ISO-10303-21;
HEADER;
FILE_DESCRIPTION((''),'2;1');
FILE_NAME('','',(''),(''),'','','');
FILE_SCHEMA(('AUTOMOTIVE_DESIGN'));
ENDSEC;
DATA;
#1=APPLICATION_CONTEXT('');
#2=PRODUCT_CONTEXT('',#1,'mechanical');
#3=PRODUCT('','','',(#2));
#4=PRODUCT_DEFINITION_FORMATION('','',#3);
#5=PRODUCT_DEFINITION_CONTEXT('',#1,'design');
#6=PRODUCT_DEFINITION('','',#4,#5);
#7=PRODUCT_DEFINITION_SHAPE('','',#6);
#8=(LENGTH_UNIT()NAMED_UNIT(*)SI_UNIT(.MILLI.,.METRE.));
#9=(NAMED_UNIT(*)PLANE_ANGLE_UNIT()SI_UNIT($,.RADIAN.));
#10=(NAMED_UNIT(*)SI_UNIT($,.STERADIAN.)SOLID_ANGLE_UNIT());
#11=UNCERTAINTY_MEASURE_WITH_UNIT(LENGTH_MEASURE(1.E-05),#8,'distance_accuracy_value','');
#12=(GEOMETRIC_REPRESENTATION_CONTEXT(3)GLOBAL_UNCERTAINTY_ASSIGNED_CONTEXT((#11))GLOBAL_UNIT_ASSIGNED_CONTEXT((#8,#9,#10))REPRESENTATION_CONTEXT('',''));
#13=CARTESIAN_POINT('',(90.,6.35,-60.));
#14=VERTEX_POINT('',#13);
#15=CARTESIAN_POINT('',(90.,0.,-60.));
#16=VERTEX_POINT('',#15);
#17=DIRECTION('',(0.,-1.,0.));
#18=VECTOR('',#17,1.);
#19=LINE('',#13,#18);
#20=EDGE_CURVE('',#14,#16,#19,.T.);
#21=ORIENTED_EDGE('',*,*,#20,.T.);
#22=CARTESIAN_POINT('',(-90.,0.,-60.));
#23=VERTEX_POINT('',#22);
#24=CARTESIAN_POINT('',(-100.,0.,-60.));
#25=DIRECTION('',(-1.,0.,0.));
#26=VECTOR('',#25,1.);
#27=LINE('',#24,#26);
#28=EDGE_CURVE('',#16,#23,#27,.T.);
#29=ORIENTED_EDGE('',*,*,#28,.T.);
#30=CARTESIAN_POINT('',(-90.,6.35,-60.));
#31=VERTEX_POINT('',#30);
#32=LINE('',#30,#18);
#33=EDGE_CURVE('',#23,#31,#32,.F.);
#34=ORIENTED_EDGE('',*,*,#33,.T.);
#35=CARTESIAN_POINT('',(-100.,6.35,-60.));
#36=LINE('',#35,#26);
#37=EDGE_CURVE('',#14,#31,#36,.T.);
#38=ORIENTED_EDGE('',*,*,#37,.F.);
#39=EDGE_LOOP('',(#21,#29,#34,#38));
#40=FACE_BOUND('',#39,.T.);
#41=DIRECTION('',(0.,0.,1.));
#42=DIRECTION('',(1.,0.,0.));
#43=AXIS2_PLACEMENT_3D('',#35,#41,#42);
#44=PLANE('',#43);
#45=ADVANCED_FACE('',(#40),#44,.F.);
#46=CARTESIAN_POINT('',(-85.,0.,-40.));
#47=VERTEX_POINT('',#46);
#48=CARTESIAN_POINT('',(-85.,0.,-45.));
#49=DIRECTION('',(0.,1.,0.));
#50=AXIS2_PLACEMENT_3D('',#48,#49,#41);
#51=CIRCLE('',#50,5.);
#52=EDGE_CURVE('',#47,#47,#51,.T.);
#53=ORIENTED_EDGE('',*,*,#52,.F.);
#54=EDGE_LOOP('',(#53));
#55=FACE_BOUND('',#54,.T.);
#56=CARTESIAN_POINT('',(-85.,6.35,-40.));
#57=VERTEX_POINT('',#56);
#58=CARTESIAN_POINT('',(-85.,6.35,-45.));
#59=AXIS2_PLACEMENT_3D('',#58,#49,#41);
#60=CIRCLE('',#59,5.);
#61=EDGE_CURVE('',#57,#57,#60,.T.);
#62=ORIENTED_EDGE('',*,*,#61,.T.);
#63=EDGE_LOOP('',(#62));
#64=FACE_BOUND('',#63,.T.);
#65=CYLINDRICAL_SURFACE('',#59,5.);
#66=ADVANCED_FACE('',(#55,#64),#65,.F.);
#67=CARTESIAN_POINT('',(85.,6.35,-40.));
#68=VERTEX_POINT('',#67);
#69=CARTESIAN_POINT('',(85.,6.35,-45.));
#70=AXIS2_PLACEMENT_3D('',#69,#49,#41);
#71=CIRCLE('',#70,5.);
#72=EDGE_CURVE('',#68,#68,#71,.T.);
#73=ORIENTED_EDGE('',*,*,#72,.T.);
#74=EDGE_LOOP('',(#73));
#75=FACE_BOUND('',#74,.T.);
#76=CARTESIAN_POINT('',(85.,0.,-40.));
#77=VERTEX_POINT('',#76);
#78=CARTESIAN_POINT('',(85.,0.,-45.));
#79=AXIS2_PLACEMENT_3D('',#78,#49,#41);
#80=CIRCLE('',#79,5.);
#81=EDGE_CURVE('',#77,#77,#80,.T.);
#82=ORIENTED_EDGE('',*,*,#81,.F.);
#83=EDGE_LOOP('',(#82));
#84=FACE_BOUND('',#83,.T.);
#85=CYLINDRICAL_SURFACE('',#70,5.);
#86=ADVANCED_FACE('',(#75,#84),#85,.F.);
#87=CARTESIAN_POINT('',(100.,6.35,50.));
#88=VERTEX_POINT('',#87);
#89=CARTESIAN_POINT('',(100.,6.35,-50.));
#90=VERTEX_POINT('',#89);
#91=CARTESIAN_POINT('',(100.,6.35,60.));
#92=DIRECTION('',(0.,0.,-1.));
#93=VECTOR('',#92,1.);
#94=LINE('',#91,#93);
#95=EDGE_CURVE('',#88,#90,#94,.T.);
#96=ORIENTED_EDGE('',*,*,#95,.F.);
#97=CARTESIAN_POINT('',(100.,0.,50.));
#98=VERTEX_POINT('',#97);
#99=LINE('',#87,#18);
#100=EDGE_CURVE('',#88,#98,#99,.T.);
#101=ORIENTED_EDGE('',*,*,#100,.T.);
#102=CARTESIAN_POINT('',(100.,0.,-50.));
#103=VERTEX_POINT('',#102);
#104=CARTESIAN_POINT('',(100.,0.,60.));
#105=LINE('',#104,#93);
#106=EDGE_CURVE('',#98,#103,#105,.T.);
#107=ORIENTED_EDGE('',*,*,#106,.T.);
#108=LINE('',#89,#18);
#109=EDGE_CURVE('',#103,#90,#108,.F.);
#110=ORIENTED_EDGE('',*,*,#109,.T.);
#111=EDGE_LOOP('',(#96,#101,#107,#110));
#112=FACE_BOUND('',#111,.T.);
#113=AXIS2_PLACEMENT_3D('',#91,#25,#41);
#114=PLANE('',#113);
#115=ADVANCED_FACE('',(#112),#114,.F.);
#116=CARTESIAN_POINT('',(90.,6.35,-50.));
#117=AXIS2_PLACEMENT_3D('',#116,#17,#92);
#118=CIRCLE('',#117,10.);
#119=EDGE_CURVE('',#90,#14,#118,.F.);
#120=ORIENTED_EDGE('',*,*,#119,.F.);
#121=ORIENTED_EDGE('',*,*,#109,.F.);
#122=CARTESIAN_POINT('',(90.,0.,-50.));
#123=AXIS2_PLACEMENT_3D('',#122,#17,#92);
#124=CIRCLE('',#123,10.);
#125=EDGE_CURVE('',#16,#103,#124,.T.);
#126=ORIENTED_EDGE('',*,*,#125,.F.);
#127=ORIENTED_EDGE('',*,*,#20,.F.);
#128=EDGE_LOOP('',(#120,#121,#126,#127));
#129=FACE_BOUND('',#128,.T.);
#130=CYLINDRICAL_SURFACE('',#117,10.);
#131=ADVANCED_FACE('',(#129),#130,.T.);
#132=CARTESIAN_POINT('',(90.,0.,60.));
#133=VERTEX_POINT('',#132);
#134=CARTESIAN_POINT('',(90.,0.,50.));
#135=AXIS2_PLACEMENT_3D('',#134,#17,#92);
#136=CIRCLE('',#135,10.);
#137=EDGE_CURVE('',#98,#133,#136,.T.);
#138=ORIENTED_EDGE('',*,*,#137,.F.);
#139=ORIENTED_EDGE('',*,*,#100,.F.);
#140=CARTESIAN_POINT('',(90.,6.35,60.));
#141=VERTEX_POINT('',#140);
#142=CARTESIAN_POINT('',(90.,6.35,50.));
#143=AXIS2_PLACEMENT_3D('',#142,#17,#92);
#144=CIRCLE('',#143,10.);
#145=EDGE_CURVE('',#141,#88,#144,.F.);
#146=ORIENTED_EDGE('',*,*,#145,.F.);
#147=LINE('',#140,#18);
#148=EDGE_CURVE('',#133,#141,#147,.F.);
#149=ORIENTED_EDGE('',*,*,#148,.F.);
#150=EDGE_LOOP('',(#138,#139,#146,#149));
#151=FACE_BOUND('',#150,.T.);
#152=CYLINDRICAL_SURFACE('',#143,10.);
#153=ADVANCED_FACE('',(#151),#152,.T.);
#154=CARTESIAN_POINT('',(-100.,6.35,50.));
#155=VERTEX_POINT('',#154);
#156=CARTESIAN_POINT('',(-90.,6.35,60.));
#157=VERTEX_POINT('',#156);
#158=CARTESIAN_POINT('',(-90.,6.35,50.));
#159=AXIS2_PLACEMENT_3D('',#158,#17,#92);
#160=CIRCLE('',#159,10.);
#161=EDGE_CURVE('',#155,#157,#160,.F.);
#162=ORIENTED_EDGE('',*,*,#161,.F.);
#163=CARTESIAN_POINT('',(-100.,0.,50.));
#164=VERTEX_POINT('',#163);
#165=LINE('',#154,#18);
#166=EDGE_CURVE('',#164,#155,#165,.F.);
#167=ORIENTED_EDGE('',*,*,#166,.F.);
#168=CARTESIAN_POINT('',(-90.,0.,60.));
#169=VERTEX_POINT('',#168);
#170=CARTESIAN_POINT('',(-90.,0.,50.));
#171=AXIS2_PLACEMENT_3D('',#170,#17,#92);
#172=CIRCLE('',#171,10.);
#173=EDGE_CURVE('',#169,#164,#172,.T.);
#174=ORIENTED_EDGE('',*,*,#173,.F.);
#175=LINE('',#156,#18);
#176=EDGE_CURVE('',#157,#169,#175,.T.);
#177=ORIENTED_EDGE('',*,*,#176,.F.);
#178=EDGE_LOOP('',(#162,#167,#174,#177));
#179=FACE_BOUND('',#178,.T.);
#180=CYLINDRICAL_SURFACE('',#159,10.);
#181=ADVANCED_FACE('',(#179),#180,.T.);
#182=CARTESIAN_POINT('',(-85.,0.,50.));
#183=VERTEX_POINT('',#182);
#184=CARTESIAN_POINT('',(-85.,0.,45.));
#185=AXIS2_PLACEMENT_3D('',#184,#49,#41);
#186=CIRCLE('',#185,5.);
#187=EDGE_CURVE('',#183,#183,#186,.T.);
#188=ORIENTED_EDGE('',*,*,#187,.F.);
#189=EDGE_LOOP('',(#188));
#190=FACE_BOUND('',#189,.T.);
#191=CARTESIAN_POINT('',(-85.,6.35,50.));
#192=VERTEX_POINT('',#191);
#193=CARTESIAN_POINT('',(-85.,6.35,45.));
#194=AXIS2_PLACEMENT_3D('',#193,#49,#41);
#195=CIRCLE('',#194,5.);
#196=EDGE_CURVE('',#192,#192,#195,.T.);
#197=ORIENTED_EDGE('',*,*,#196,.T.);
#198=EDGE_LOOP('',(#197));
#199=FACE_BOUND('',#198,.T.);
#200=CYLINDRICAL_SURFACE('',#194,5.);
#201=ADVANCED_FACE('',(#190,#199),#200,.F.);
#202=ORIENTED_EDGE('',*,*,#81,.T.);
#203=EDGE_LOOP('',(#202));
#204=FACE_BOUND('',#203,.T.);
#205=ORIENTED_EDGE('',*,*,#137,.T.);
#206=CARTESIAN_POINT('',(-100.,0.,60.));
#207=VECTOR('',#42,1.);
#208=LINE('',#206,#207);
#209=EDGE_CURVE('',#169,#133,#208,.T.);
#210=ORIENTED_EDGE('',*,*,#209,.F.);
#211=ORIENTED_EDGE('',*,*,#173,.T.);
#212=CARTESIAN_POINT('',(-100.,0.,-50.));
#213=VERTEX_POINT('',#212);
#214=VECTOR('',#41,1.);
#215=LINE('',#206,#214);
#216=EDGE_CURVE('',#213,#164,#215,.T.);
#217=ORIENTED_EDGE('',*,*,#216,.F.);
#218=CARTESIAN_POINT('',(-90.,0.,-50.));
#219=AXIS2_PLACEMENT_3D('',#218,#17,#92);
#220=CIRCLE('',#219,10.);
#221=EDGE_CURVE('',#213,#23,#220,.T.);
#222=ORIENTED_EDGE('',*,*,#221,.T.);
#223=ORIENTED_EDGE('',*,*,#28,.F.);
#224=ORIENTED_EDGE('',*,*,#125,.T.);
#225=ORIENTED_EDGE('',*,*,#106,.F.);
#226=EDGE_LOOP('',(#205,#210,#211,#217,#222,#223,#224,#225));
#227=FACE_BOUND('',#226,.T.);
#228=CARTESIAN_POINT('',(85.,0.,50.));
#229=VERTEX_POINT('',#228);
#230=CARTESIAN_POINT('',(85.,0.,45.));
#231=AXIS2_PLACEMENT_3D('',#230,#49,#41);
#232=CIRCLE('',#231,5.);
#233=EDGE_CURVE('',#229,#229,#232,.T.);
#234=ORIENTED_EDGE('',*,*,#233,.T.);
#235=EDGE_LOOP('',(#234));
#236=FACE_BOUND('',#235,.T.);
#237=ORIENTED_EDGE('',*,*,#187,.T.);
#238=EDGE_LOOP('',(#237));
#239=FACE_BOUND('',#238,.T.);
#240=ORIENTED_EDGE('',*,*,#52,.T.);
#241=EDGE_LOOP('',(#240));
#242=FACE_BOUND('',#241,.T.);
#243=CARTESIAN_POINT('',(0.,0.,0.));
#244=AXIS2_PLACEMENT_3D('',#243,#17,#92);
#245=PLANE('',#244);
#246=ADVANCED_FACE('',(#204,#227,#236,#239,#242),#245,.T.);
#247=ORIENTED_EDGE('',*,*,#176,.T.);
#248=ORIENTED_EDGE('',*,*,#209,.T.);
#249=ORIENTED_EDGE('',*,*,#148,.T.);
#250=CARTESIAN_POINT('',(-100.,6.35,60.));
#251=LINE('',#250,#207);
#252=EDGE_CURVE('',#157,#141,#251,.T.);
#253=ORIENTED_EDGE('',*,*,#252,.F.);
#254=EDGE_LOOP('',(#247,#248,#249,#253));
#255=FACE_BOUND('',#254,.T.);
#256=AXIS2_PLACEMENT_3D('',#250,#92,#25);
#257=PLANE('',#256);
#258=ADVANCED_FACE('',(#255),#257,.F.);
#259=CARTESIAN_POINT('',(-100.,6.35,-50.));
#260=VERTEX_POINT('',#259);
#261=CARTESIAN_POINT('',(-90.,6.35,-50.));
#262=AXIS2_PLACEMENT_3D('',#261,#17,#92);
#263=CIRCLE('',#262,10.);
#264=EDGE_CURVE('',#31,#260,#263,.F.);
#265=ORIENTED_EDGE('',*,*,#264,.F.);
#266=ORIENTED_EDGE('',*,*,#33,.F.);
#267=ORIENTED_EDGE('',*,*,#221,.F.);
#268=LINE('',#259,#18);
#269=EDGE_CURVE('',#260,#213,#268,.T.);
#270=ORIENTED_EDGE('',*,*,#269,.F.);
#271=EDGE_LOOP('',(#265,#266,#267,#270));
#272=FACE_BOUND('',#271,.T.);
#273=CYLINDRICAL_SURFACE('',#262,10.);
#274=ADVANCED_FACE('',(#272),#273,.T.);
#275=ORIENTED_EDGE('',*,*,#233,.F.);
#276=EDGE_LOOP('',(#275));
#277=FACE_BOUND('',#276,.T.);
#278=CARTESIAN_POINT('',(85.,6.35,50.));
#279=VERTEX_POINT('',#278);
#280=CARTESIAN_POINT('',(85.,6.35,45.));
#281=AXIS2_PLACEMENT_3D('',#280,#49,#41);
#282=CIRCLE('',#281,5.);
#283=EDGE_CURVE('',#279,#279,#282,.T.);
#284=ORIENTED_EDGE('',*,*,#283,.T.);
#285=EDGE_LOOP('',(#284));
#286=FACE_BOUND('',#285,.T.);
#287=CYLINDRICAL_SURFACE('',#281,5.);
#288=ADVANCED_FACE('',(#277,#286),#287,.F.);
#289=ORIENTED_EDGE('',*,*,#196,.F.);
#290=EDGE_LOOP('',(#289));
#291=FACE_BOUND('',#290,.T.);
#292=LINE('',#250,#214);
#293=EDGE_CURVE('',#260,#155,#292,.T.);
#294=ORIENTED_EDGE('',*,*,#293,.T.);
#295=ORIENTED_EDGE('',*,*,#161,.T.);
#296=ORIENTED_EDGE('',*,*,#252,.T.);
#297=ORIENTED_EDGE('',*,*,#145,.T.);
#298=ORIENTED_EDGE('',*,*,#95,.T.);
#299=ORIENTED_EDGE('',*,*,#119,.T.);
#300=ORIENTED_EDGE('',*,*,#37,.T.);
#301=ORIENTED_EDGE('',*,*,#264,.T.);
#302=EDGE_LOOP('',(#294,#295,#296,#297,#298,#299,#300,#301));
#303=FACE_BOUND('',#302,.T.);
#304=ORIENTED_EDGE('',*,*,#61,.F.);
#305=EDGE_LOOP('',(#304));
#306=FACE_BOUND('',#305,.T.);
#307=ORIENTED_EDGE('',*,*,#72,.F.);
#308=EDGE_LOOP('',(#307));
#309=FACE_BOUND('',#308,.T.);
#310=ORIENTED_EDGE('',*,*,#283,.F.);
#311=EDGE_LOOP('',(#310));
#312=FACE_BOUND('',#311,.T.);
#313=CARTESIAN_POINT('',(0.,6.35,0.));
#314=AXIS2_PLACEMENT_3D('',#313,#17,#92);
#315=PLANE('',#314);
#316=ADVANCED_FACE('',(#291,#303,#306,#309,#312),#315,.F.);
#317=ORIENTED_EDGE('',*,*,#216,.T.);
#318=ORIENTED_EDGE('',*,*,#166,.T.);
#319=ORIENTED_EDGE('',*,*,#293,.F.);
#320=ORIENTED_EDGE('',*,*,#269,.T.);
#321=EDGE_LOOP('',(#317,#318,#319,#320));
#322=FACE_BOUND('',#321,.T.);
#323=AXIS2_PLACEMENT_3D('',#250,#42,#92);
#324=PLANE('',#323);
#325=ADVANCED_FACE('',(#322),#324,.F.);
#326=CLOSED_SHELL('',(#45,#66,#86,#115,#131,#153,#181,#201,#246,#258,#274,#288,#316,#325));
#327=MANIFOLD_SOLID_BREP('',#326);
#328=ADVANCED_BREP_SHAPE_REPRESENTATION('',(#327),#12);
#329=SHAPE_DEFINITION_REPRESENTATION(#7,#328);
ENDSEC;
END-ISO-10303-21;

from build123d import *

# Parameters (mm, degrees)
ESQUISSE1_W                     = 200
ESQUISSE1_H                     = 120
BOSS_EXTRU_1_DEPTH              = 6.35
DIAM_TRE_DU_PER_AGE_10_0_10_1_D = 10
CONG_1_R                        = 10


with BuildPart() as part:
    # Esquisse1 → Boss.-Extru.1 (new body)
    with BuildSketch(Plane(origin=(0, 0, 0), x_dir=(1, 0, 0), z_dir=(0, 1, 0))):
        Rectangle(ESQUISSE1_W, ESQUISSE1_H)
    extrude(amount=BOSS_EXTRU_1_DEPTH)

    # Diamètre du perçage Ø10.0 (10)1 (through all)
    with Locations(Plane(origin=(0, 6.35, 0), x_dir=(1, 0, 0), z_dir=(0, 1, 0))):
        with Locations((-85, 45), (-85, -45), (85, -45), (85, 45)):
            Hole(DIAM_TRE_DU_PER_AGE_10_0_10_1_D / 2)

    # Congé1
    cong_1_edges = [part.edges().sort_by_distance(p)[0] for p in [
        (100, 3.175, 60),
        (-100, 3.175, 60),
        (-100, 3.175, -60),
        (100, 3.175, -60),
    ]]
    fillet(cong_1_edges, radius=CONG_1_R)


solid = part.part
